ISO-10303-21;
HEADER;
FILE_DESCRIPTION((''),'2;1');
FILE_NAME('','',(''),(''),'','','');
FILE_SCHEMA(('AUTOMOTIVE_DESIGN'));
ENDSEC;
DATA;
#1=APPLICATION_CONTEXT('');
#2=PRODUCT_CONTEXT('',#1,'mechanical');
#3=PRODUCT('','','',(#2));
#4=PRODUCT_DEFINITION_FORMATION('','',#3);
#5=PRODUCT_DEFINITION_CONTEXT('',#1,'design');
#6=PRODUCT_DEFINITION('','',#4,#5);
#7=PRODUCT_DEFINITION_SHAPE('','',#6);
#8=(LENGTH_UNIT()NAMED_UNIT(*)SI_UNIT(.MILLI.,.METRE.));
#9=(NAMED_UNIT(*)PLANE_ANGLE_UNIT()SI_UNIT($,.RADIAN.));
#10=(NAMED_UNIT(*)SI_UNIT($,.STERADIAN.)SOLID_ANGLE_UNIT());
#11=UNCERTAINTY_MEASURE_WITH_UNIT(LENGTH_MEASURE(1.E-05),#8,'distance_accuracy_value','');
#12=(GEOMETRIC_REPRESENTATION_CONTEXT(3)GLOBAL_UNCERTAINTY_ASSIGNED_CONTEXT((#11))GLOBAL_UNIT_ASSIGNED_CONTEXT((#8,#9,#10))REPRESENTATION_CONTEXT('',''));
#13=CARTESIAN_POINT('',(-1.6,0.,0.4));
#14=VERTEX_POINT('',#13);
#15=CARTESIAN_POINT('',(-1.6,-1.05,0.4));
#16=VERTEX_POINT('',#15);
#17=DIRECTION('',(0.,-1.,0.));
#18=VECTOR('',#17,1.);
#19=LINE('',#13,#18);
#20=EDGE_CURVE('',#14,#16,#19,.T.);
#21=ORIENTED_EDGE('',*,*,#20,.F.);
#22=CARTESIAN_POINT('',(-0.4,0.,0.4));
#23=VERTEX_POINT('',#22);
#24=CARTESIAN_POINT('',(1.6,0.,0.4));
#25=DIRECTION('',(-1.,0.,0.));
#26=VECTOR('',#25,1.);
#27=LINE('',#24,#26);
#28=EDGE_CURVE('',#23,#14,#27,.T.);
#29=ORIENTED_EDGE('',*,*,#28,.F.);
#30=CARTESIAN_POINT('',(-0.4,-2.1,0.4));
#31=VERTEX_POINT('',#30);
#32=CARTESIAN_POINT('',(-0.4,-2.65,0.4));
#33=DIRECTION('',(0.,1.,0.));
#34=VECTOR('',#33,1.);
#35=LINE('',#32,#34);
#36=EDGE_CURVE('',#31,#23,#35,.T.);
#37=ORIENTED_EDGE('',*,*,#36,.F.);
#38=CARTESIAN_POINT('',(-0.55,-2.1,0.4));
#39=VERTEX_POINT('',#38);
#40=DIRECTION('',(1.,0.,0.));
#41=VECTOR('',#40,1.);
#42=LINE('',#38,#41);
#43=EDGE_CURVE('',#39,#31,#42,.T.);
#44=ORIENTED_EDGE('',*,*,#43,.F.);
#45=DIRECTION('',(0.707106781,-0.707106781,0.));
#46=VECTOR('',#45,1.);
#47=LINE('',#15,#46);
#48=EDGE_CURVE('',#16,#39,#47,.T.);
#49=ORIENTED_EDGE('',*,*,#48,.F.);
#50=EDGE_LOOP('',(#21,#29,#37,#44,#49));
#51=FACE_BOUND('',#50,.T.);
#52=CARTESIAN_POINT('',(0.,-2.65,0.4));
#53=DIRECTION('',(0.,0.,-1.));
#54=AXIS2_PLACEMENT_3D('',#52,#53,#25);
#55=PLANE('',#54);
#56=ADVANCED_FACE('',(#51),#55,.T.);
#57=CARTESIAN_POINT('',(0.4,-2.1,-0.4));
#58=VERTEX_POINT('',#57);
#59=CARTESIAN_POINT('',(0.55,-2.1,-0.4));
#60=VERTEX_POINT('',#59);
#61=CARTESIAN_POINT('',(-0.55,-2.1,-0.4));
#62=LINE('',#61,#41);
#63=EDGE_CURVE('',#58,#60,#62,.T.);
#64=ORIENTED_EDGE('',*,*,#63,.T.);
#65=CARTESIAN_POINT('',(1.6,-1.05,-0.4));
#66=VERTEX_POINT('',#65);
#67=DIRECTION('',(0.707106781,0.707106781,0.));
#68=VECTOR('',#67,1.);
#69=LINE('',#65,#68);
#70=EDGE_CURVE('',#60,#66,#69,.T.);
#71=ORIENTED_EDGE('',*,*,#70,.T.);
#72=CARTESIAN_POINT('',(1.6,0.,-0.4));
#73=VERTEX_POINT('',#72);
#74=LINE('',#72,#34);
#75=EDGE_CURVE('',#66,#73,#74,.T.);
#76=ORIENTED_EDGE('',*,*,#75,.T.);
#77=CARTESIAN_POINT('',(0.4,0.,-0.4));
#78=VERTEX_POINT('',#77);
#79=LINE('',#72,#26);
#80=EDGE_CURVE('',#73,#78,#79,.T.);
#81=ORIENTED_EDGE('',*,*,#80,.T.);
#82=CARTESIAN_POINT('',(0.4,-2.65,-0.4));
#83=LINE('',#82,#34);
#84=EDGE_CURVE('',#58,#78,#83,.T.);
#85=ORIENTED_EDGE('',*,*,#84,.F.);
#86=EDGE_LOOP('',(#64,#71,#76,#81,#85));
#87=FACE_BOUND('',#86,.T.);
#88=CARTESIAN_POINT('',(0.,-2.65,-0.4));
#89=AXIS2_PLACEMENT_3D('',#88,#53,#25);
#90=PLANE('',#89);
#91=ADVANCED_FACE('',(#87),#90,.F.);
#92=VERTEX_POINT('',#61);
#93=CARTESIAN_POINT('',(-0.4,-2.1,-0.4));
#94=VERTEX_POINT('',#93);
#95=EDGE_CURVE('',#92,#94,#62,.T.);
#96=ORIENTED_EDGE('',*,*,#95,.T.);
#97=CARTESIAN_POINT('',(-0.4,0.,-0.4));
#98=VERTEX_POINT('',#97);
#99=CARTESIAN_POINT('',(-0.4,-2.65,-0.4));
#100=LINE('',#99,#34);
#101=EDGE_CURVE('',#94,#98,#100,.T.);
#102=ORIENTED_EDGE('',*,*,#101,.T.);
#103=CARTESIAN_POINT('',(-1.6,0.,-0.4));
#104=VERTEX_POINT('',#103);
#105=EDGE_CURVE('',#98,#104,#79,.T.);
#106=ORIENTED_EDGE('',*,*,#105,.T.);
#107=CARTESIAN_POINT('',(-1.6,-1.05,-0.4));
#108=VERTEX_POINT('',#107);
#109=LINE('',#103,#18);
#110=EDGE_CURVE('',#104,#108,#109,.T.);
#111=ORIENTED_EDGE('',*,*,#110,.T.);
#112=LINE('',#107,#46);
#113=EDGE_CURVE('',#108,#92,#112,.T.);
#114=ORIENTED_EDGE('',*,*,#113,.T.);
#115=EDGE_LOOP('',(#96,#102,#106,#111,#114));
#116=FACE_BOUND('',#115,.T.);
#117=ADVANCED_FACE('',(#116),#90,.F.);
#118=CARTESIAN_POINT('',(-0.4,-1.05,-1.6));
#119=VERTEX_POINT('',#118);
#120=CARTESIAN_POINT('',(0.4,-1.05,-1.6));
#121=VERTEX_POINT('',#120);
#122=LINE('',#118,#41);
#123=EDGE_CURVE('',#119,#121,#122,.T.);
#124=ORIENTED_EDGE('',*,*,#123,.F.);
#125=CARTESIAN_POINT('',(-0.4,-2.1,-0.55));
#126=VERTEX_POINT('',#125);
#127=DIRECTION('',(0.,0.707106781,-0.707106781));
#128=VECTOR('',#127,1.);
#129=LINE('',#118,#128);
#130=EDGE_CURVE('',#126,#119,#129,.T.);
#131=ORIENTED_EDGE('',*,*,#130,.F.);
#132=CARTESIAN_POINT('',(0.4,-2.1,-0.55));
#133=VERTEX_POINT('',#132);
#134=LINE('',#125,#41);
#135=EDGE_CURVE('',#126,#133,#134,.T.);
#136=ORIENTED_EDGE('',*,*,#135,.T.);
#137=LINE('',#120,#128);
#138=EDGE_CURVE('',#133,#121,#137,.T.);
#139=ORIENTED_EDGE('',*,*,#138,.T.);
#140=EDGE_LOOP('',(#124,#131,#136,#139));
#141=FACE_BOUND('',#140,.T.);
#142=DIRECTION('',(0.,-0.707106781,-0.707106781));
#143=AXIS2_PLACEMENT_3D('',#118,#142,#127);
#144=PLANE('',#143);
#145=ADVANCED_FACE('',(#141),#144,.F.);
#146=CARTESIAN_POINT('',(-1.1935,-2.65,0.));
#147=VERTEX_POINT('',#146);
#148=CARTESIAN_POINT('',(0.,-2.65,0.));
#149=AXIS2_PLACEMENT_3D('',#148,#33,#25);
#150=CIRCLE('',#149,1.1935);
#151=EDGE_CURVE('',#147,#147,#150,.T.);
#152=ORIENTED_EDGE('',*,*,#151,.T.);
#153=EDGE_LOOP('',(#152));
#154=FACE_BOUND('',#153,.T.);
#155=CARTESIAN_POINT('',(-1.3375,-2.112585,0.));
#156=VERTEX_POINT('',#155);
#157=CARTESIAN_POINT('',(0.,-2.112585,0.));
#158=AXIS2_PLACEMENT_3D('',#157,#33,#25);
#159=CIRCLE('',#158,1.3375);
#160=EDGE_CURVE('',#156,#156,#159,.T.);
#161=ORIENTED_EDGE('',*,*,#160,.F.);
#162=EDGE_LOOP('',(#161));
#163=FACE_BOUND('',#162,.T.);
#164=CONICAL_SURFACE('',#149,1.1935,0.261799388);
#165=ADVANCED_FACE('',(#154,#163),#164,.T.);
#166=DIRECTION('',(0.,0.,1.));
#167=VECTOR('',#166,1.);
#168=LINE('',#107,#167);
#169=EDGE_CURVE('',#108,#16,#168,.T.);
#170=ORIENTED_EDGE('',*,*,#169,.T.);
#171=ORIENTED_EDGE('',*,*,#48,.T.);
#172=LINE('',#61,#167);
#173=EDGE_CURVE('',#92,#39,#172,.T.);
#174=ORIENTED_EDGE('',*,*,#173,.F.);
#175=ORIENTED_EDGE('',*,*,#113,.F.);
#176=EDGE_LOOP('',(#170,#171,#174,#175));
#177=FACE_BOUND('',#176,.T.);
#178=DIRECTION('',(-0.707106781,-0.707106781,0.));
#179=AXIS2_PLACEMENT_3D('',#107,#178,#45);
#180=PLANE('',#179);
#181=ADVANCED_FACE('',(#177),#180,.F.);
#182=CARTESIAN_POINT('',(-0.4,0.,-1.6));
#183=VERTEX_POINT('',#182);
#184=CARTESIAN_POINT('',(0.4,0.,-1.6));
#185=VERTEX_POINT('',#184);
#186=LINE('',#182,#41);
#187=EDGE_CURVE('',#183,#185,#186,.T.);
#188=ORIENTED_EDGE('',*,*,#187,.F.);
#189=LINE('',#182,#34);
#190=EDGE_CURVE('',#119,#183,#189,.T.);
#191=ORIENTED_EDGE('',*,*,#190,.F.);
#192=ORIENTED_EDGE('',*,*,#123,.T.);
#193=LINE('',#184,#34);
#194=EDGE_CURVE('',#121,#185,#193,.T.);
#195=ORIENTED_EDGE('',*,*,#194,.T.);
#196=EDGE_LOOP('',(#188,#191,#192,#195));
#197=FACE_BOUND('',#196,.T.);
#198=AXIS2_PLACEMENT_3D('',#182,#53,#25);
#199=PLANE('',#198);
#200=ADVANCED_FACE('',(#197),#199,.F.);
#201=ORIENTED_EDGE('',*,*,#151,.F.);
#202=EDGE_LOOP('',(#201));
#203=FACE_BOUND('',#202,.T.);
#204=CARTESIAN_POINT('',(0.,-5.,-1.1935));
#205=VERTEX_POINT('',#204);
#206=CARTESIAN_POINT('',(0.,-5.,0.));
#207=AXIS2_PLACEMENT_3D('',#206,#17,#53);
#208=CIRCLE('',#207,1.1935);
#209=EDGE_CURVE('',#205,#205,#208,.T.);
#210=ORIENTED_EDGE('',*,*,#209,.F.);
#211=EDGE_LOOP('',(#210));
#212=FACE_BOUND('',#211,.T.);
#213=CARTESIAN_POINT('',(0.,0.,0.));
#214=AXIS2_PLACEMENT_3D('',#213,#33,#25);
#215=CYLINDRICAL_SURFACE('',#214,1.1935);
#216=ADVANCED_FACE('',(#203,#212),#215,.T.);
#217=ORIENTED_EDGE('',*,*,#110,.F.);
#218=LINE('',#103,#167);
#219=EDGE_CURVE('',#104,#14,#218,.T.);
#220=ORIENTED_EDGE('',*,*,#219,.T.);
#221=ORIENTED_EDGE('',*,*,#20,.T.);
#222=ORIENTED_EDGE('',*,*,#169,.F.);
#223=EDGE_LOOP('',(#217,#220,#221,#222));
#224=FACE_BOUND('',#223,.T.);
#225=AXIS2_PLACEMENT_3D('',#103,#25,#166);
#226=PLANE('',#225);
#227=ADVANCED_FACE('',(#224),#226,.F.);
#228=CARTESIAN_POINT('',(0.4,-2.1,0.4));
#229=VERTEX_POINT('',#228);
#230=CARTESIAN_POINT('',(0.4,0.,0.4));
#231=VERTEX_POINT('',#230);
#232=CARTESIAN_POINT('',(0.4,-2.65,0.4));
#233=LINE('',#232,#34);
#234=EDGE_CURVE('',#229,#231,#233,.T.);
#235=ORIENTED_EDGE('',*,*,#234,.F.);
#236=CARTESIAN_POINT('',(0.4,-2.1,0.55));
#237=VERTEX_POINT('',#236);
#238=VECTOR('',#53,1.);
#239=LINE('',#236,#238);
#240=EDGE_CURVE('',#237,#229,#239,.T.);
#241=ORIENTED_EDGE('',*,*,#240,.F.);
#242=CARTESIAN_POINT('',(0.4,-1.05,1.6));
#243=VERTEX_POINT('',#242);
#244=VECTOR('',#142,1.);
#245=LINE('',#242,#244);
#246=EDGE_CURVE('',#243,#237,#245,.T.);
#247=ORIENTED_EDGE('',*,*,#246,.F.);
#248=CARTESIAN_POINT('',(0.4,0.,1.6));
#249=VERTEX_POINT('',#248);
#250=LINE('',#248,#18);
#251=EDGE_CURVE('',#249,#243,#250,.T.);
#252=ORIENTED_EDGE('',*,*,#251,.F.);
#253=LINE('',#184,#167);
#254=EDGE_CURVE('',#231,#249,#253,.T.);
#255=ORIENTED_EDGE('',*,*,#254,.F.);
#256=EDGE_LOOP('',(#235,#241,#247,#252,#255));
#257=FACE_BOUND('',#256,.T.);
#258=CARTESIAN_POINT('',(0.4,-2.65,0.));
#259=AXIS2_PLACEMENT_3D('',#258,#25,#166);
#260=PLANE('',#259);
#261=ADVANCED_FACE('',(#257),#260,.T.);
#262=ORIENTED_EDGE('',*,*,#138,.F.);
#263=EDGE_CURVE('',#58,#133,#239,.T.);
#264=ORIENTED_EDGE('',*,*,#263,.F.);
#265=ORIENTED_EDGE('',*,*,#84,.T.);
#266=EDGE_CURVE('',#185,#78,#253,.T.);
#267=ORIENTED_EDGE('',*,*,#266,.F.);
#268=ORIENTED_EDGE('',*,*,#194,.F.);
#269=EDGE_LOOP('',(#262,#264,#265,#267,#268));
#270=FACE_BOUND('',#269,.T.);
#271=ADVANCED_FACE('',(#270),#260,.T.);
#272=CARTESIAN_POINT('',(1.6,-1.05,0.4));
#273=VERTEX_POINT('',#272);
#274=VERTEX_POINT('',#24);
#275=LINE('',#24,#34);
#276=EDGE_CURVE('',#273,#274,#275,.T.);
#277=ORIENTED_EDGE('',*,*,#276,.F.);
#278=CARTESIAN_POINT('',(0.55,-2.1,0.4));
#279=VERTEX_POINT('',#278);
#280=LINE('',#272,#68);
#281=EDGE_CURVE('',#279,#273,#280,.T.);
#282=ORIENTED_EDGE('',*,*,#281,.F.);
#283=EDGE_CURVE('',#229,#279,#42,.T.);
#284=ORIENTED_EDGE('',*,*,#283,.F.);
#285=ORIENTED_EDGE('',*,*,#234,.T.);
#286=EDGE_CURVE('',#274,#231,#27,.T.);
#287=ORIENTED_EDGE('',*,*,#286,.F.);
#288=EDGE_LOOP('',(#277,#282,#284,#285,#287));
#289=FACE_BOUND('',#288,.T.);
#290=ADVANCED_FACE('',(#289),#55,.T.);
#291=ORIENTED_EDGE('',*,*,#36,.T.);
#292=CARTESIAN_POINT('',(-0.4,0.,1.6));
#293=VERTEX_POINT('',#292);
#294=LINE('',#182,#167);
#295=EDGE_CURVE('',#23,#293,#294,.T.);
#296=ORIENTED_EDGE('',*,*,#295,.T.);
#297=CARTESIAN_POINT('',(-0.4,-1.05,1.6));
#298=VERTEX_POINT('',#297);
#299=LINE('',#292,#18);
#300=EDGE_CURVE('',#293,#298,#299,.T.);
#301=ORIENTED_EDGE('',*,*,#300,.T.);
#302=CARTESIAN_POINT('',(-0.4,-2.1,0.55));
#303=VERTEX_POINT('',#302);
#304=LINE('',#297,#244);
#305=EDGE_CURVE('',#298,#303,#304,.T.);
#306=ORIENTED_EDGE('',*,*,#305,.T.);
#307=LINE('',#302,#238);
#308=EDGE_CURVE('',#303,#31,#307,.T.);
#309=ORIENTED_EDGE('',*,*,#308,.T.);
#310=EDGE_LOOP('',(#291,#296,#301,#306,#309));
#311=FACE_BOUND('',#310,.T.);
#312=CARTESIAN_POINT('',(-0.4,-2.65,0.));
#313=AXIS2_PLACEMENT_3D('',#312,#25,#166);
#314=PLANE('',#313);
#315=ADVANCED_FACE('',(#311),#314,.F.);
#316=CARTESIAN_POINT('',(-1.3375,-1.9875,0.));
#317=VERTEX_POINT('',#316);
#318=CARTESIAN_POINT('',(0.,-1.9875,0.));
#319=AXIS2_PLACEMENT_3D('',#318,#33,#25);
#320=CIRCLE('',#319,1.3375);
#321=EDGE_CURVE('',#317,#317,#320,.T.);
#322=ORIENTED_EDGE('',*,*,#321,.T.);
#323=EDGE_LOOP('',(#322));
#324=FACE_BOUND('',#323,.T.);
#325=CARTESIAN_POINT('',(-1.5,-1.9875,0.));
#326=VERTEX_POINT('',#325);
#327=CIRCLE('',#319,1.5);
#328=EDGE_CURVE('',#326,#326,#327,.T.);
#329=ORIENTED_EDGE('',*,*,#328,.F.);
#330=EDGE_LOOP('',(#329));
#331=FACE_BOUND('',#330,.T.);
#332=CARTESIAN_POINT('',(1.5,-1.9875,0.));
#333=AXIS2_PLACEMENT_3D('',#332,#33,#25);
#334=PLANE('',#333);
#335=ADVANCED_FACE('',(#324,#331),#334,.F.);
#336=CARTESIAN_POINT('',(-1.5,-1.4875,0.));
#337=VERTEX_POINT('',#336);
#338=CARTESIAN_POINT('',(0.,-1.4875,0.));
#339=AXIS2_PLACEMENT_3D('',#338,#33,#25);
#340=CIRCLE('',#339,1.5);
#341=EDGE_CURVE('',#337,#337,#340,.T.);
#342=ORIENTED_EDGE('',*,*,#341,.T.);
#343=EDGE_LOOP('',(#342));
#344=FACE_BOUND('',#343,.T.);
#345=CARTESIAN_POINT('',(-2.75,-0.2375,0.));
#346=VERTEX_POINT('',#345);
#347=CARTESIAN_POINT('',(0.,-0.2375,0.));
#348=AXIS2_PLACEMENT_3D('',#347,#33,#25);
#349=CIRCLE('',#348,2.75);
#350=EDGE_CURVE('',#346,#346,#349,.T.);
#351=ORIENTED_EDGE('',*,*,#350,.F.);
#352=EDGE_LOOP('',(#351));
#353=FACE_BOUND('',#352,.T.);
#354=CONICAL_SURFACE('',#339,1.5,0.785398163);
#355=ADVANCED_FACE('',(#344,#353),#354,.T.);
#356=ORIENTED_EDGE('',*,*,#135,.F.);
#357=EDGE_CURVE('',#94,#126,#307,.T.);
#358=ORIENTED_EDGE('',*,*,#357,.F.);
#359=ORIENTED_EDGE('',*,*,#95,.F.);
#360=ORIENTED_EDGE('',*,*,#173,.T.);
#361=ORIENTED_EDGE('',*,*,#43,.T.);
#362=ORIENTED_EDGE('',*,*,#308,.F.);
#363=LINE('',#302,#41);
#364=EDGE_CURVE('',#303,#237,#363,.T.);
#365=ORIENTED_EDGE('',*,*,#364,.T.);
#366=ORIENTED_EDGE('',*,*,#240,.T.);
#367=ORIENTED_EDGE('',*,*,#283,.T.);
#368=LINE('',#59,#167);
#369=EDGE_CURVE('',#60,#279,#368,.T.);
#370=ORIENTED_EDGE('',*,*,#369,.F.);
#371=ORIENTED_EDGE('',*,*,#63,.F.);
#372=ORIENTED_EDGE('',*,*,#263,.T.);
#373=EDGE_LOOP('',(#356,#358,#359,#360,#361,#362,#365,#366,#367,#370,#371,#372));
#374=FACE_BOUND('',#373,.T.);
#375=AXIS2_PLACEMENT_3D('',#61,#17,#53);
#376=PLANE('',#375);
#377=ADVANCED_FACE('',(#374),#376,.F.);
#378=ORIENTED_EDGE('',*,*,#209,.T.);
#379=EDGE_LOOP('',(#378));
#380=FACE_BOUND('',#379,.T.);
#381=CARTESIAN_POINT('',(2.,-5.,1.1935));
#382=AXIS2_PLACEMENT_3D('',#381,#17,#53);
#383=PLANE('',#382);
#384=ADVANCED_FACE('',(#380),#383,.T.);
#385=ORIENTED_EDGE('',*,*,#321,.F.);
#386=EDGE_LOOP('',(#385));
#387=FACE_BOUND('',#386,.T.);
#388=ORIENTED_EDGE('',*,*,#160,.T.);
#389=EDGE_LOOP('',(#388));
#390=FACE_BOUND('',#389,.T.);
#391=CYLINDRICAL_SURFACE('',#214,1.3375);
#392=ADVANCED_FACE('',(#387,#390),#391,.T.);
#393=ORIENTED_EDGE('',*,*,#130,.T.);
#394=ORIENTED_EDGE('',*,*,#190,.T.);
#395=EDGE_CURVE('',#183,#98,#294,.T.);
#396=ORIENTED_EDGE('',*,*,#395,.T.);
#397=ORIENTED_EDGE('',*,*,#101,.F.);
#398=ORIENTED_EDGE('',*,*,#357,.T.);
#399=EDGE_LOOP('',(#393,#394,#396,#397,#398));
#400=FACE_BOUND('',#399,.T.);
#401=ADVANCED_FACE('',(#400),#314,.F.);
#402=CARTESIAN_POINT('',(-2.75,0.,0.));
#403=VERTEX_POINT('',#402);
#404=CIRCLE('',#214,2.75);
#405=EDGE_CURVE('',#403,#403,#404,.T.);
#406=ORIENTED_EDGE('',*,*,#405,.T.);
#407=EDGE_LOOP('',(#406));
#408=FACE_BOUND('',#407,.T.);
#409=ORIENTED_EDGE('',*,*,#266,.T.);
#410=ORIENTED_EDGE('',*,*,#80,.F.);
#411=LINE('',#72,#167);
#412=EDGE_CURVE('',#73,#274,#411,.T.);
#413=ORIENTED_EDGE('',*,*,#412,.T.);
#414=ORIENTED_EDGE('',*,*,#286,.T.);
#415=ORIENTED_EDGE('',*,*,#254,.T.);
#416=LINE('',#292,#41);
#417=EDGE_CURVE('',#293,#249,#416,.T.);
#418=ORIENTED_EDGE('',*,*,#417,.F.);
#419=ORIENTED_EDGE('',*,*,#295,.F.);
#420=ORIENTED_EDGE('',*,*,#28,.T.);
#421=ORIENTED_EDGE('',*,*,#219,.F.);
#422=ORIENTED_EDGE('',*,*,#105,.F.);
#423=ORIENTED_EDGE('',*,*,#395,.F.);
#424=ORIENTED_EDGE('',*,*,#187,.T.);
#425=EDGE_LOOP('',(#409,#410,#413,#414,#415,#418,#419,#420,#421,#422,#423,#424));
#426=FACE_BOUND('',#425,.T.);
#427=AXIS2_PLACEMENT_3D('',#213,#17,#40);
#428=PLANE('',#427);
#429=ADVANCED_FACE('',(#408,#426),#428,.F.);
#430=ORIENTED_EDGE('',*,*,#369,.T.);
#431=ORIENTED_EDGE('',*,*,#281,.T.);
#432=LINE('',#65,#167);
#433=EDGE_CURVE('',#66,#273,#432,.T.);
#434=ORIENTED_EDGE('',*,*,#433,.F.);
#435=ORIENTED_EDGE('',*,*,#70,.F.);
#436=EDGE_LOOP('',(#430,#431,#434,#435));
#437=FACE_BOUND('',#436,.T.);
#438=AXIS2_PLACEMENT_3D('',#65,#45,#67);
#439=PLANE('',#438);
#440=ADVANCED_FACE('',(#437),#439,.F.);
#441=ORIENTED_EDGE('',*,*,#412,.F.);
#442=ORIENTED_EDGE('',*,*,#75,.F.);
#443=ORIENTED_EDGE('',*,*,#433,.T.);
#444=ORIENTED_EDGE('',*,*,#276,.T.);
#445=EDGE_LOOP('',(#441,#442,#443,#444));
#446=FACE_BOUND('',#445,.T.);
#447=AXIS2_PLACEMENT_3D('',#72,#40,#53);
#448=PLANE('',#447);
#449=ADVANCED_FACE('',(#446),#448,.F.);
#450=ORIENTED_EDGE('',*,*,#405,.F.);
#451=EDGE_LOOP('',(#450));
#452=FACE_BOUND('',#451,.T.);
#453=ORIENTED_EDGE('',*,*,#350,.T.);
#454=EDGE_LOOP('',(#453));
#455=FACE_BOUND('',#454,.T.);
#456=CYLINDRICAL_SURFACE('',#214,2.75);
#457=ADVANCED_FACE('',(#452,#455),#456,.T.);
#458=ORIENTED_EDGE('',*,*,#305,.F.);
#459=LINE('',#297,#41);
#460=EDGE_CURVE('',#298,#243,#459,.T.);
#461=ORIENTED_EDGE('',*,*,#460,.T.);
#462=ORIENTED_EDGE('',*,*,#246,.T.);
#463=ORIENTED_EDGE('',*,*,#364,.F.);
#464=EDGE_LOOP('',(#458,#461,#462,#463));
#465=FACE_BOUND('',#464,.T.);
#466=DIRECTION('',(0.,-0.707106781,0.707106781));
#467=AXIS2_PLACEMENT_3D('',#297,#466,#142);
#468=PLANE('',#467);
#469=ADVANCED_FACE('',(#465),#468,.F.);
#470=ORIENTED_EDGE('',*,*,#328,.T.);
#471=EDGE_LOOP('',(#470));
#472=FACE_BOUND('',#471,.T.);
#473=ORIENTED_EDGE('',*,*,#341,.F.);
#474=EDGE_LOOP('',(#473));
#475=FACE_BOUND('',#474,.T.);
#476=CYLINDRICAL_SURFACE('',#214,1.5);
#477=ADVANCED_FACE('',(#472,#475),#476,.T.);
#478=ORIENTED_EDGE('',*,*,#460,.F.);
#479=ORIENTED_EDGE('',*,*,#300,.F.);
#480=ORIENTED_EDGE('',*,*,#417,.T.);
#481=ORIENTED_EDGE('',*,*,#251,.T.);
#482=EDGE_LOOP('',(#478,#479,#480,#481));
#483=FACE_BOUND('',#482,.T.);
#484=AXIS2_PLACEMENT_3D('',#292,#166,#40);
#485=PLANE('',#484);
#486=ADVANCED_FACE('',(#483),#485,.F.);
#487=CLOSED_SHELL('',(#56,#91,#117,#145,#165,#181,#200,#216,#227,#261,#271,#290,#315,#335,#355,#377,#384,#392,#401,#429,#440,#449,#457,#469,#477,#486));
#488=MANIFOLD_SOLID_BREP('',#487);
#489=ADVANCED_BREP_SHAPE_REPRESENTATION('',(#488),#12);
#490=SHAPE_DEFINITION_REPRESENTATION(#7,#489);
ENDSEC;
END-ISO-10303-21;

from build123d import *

# Parameters (mm, degrees)
KREUZSCHLITZ1_H_DEPTH      = 0.4
KREUZSCHLITZ1_H_DEPTH_BACK = 0.4
KREUZSCHLITZ2_H_DEPTH      = 0.4
KREUZSCHLITZ2_H_DEPTH_BACK = 0.4
BOSS_EXTRUDE1_START        = 2
SKETCH1_R                  = 1.1935
BOSS_EXTRUDE1_DEPTH        = 2
CUT_EXTRUDE1_DEPTH         = 2
CUT_EXTRUDE1_DEPTH_BACK    = 2
SKETCH2_W                  = 2.387
SKETCH2_H                  = 5


with BuildPart() as part:
    # Skizze1 → Basis-Rotation (revolve)
    with BuildSketch(Plane.XY, mode=Mode.PRIVATE) as basis_rotation_sk:
        Polygon((0, 0), (2.75, 0), (2.75, -0.2375), (1.5, -1.4875), (1.5, -1.9875), (1.3375, -1.9875), (1.3375, -2.112584684), (1.1935, -2.65), (1.1935, -8), (0, -8), align=None)
    revolve(basis_rotation_sk.sketch.rotate(Axis((0, 0, 0), (0, -1, 0)), 180), axis=Axis((0, 0, 0), (0, -1, 0)))

    # Skizze2 → Kreuzschlitz1 H (cut, two sides: drawn at the far end of the back side and taken through both)
    with BuildSketch(Plane.XY.offset(-KREUZSCHLITZ1_H_DEPTH_BACK)):
        Polygon((-0.55, -2.1), (0.55, -2.1), (1.6, -1.05), (1.6, 0), (-1.6, 0), (-1.6, -1.05), align=None)
    extrude(amount=KREUZSCHLITZ1_H_DEPTH + KREUZSCHLITZ1_H_DEPTH_BACK, mode=Mode.SUBTRACT)

    # Skizze3 → Kreuzschlitz2 H (cut, two sides: drawn at the far end of the back side and taken through both)
    with BuildSketch(Plane(origin=(0, 0, 0), x_dir=(0, 0, -1), z_dir=(1, 0, 0)).offset(-KREUZSCHLITZ2_H_DEPTH_BACK)):
        Polygon((-0.55, -2.1), (0.55, -2.1), (1.6, -1.05), (1.6, 0), (-1.6, 0), (-1.6, -1.05), align=None)
    extrude(amount=KREUZSCHLITZ2_H_DEPTH + KREUZSCHLITZ2_H_DEPTH_BACK, mode=Mode.SUBTRACT)

    # Sketch1 → Boss-Extrude1 (add)
    with BuildSketch(Plane.XZ.offset(8).offset(BOSS_EXTRUDE1_START)):
        with Locations(Location((0, 0, 0), (0, 0, 180))):
            Circle(SKETCH1_R)
    extrude(amount=-BOSS_EXTRUDE1_DEPTH)

    # Sketch2 → Cut-Extrude1 (cut, two sides: drawn at the far end of the back side and taken through both)
    with BuildSketch(Plane(origin=(0, 0, 0), x_dir=(0, 0, -1), z_dir=(1, 0, 0)).offset(-CUT_EXTRUDE1_DEPTH_BACK)):
        with Locations((0, -7.5)):
            Rectangle(SKETCH2_W, SKETCH2_H)
    extrude(amount=CUT_EXTRUDE1_DEPTH + CUT_EXTRUDE1_DEPTH_BACK, mode=Mode.SUBTRACT)


solid = part.part
